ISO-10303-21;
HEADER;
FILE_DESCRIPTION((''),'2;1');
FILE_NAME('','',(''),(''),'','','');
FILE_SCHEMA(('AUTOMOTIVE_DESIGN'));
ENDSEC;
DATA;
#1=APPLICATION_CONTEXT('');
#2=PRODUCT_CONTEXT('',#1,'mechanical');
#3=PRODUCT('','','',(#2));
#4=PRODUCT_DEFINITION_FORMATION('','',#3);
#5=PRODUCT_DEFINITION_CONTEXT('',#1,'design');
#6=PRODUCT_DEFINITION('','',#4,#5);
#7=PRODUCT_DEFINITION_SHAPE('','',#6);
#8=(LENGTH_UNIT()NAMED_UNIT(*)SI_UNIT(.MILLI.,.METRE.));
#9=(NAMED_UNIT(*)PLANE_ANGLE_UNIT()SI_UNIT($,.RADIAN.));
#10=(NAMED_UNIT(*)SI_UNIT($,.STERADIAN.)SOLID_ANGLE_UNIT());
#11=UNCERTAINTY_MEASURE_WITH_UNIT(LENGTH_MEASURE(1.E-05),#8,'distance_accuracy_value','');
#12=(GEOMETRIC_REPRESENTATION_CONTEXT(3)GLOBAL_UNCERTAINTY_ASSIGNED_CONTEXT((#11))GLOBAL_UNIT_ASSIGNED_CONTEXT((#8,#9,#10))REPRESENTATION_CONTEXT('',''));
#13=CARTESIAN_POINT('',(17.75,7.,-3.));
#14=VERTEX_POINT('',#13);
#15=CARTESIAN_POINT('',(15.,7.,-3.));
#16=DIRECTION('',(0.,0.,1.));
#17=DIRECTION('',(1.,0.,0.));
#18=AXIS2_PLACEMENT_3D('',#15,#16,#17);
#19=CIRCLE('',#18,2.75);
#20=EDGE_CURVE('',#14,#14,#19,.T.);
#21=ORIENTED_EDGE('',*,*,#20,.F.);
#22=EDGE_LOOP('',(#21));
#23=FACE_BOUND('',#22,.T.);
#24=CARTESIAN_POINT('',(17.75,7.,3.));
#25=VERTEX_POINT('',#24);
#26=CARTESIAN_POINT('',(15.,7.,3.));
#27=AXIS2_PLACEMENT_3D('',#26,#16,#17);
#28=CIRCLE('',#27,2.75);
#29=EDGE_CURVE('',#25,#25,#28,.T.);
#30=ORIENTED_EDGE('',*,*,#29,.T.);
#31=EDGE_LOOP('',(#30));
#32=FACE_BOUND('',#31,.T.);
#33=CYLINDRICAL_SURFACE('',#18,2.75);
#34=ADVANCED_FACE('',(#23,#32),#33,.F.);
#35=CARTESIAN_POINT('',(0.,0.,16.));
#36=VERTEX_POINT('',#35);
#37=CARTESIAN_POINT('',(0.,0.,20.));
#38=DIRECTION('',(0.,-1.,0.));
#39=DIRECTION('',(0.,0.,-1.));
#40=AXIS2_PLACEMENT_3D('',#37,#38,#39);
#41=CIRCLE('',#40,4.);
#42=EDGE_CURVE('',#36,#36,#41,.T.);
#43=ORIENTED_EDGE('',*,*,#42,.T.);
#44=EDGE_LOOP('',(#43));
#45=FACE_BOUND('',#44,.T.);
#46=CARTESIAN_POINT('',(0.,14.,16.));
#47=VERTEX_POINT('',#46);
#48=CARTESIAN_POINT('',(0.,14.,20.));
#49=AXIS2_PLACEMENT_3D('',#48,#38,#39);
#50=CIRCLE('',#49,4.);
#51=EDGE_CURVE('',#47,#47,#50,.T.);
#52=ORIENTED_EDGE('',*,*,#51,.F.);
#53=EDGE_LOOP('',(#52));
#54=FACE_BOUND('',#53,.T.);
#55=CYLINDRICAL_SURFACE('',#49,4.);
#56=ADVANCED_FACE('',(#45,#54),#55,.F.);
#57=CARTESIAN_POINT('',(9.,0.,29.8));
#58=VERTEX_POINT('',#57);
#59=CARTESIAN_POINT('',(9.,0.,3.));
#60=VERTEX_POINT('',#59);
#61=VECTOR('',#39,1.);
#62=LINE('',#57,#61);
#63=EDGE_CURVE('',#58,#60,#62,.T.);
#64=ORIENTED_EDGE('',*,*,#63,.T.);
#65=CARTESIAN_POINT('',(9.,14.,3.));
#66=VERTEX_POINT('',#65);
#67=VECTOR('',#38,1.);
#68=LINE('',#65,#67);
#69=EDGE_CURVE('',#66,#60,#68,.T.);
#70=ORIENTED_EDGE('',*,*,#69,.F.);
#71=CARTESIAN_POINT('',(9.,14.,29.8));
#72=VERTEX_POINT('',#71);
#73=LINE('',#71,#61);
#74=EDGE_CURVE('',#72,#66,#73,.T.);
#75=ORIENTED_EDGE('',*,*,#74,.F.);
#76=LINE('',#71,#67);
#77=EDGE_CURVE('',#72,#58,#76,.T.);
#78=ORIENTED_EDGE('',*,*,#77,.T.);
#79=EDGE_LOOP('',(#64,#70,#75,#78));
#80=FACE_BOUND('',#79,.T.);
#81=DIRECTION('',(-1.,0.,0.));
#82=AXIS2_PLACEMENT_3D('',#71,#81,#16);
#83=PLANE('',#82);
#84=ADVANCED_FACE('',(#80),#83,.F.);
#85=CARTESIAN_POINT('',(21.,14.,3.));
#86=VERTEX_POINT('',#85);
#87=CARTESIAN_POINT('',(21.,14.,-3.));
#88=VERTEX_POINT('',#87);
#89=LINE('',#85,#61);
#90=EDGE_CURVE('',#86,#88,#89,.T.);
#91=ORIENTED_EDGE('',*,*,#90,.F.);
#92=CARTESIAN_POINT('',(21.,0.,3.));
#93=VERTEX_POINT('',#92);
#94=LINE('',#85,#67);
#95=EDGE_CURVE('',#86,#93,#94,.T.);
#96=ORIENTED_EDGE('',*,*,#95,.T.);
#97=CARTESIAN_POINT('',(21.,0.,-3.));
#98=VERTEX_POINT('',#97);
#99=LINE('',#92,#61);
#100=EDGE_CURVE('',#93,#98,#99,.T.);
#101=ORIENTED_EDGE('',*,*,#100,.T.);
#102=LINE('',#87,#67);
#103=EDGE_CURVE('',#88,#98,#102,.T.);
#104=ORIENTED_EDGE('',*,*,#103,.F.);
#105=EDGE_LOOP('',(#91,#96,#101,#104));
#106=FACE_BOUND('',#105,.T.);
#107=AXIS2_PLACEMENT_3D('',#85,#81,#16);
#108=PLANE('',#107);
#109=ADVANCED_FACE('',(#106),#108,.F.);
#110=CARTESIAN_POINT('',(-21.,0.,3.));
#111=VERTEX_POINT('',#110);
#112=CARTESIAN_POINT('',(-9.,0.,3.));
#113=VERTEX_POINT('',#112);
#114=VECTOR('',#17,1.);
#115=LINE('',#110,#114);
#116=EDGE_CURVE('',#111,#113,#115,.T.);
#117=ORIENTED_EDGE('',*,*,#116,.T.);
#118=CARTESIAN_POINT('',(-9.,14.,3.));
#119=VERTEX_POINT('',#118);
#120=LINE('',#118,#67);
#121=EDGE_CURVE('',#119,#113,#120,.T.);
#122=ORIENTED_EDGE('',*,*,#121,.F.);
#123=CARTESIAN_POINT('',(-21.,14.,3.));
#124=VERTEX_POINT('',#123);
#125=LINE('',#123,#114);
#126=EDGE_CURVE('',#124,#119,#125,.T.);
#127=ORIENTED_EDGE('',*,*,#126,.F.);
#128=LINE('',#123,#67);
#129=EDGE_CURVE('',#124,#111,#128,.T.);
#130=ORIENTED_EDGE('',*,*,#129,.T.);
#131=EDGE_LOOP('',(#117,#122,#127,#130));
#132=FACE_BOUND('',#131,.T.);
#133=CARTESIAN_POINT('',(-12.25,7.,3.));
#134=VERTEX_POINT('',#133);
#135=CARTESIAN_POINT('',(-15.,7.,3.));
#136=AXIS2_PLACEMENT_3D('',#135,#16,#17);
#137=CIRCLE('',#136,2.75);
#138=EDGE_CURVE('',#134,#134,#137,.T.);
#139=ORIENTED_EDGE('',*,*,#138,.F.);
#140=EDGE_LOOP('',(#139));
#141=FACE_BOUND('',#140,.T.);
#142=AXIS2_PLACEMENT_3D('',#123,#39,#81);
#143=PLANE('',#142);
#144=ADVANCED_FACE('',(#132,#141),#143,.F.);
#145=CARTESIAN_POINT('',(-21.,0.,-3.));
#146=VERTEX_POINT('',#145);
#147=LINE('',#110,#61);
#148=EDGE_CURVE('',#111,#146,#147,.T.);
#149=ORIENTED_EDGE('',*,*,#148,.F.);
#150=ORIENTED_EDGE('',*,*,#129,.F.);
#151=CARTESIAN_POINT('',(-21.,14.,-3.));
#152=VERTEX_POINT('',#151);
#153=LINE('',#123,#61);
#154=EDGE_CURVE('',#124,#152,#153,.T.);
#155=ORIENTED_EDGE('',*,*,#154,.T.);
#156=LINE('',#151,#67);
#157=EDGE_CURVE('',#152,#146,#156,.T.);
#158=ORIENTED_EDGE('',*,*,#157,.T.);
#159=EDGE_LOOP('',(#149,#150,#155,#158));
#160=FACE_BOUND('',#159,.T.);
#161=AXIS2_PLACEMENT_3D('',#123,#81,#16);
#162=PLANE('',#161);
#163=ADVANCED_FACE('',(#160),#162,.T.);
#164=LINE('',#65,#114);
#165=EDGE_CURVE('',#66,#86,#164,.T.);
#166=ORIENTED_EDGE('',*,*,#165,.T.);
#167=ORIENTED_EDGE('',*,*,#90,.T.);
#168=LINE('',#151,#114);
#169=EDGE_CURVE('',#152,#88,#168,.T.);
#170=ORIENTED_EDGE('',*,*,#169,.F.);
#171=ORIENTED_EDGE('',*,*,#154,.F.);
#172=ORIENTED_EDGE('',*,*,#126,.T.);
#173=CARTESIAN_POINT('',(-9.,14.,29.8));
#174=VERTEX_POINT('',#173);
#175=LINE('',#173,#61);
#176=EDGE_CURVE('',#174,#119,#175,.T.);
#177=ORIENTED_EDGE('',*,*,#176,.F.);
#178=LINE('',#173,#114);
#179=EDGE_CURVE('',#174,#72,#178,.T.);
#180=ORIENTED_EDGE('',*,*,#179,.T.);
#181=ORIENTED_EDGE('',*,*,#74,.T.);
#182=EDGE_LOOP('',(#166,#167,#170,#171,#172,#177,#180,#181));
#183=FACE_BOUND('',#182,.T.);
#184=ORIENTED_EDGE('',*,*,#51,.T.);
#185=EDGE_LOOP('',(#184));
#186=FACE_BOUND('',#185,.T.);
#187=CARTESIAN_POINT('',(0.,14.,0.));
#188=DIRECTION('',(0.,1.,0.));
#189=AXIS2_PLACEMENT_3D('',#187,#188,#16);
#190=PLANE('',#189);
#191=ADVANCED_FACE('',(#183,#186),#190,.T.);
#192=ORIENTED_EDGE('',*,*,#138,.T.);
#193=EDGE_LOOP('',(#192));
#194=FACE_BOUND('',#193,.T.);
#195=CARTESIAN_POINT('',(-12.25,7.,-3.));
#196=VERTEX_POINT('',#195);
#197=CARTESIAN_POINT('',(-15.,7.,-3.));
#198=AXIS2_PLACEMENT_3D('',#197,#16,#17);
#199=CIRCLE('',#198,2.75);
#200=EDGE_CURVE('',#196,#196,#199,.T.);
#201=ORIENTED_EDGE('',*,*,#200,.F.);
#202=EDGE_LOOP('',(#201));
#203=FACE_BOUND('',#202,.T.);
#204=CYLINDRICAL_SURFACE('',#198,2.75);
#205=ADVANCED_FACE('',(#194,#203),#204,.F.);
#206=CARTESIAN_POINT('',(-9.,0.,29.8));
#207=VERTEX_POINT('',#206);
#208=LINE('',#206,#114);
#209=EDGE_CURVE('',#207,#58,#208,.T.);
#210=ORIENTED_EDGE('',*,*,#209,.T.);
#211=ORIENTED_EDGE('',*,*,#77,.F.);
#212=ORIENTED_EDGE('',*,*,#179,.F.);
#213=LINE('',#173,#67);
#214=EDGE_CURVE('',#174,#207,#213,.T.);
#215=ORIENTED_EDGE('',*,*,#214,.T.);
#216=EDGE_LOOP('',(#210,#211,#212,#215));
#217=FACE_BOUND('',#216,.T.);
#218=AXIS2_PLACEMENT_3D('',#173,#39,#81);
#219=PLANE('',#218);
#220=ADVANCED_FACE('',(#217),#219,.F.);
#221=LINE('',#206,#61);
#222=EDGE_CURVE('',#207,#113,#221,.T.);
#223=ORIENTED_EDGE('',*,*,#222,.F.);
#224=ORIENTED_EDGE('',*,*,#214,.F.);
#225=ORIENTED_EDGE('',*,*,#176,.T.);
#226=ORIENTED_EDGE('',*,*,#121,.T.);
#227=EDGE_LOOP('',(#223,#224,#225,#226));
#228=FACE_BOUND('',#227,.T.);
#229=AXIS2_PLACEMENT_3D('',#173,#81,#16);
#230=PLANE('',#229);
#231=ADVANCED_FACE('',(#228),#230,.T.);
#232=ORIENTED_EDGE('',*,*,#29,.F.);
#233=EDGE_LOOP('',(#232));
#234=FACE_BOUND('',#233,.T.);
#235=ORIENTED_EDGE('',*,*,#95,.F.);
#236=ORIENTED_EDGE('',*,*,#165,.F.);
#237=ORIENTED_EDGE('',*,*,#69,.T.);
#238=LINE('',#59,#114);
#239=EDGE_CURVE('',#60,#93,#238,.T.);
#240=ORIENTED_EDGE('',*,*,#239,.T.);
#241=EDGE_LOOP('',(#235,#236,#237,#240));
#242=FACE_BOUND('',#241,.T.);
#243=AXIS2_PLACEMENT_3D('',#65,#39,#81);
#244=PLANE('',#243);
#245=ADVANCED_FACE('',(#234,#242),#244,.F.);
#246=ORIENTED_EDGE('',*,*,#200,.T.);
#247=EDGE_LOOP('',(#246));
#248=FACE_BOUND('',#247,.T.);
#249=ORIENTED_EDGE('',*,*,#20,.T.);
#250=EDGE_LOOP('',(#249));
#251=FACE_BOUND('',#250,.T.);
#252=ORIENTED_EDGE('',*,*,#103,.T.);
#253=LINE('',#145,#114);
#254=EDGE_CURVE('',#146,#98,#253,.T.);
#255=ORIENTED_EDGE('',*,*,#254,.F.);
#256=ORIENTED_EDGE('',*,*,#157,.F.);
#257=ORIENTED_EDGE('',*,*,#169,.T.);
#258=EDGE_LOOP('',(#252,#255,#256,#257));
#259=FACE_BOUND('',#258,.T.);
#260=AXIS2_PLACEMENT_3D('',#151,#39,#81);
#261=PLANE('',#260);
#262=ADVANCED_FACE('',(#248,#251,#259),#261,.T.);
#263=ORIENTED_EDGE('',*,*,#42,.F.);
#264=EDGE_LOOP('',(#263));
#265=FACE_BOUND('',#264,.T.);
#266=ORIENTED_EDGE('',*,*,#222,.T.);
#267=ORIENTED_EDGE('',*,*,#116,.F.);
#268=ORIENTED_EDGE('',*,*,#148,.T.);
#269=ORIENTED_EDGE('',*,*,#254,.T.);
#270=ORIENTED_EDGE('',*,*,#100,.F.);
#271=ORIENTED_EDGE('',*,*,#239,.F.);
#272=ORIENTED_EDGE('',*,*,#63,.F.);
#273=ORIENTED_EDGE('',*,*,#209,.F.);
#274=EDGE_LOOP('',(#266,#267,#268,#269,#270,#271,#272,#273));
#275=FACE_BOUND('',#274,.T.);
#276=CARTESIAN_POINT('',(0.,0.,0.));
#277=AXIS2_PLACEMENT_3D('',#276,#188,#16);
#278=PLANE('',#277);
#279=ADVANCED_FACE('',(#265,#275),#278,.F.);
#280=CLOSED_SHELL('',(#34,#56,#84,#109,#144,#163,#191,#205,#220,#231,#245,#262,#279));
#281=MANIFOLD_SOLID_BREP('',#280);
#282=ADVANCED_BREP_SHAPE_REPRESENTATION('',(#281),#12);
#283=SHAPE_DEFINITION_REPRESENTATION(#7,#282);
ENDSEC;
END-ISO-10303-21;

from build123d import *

# Parameters (mm, degrees)
PROFILE_EXTRUDE_DEPTH   = 14
BORE_SKETCH_R           = 4
BORE_CUT_DEPTH          = 15
MOUNTING_HOLE_SKETCH_R  = 2.75
MOUNTING_HOLE_CUT_DEPTH = 7


with BuildPart() as part:
    # Profile Sketch → Profile Extrude (new body)
    with BuildSketch(Plane(origin=(0, 0, 0), x_dir=(1, 0, 0), z_dir=(0, 1, 0))):
        Polygon((9, -3), (21, -3), (21, 3), (-21, 3), (-21, -3), (-9, -3), (-9, -29.8), (9, -29.8), align=None)
    extrude(amount=PROFILE_EXTRUDE_DEPTH)

    # Bore Sketch → Bore Cut (cut, through all)
    with BuildSketch(Plane.XZ):
        with Locations((0, 20)):
            Circle(BORE_SKETCH_R)
    extrude(amount=-BORE_CUT_DEPTH, mode=Mode.SUBTRACT)

    # Mounting Hole Sketch → Mounting Hole Cut (cut, through all)
    with BuildSketch(Plane.XY.offset(3)):
        with Locations((15, 7)):
            Circle(MOUNTING_HOLE_SKETCH_R)
        with Locations((-15, 7)):
            Circle(MOUNTING_HOLE_SKETCH_R)
    extrude(amount=-MOUNTING_HOLE_CUT_DEPTH, mode=Mode.SUBTRACT)


solid = part.part
